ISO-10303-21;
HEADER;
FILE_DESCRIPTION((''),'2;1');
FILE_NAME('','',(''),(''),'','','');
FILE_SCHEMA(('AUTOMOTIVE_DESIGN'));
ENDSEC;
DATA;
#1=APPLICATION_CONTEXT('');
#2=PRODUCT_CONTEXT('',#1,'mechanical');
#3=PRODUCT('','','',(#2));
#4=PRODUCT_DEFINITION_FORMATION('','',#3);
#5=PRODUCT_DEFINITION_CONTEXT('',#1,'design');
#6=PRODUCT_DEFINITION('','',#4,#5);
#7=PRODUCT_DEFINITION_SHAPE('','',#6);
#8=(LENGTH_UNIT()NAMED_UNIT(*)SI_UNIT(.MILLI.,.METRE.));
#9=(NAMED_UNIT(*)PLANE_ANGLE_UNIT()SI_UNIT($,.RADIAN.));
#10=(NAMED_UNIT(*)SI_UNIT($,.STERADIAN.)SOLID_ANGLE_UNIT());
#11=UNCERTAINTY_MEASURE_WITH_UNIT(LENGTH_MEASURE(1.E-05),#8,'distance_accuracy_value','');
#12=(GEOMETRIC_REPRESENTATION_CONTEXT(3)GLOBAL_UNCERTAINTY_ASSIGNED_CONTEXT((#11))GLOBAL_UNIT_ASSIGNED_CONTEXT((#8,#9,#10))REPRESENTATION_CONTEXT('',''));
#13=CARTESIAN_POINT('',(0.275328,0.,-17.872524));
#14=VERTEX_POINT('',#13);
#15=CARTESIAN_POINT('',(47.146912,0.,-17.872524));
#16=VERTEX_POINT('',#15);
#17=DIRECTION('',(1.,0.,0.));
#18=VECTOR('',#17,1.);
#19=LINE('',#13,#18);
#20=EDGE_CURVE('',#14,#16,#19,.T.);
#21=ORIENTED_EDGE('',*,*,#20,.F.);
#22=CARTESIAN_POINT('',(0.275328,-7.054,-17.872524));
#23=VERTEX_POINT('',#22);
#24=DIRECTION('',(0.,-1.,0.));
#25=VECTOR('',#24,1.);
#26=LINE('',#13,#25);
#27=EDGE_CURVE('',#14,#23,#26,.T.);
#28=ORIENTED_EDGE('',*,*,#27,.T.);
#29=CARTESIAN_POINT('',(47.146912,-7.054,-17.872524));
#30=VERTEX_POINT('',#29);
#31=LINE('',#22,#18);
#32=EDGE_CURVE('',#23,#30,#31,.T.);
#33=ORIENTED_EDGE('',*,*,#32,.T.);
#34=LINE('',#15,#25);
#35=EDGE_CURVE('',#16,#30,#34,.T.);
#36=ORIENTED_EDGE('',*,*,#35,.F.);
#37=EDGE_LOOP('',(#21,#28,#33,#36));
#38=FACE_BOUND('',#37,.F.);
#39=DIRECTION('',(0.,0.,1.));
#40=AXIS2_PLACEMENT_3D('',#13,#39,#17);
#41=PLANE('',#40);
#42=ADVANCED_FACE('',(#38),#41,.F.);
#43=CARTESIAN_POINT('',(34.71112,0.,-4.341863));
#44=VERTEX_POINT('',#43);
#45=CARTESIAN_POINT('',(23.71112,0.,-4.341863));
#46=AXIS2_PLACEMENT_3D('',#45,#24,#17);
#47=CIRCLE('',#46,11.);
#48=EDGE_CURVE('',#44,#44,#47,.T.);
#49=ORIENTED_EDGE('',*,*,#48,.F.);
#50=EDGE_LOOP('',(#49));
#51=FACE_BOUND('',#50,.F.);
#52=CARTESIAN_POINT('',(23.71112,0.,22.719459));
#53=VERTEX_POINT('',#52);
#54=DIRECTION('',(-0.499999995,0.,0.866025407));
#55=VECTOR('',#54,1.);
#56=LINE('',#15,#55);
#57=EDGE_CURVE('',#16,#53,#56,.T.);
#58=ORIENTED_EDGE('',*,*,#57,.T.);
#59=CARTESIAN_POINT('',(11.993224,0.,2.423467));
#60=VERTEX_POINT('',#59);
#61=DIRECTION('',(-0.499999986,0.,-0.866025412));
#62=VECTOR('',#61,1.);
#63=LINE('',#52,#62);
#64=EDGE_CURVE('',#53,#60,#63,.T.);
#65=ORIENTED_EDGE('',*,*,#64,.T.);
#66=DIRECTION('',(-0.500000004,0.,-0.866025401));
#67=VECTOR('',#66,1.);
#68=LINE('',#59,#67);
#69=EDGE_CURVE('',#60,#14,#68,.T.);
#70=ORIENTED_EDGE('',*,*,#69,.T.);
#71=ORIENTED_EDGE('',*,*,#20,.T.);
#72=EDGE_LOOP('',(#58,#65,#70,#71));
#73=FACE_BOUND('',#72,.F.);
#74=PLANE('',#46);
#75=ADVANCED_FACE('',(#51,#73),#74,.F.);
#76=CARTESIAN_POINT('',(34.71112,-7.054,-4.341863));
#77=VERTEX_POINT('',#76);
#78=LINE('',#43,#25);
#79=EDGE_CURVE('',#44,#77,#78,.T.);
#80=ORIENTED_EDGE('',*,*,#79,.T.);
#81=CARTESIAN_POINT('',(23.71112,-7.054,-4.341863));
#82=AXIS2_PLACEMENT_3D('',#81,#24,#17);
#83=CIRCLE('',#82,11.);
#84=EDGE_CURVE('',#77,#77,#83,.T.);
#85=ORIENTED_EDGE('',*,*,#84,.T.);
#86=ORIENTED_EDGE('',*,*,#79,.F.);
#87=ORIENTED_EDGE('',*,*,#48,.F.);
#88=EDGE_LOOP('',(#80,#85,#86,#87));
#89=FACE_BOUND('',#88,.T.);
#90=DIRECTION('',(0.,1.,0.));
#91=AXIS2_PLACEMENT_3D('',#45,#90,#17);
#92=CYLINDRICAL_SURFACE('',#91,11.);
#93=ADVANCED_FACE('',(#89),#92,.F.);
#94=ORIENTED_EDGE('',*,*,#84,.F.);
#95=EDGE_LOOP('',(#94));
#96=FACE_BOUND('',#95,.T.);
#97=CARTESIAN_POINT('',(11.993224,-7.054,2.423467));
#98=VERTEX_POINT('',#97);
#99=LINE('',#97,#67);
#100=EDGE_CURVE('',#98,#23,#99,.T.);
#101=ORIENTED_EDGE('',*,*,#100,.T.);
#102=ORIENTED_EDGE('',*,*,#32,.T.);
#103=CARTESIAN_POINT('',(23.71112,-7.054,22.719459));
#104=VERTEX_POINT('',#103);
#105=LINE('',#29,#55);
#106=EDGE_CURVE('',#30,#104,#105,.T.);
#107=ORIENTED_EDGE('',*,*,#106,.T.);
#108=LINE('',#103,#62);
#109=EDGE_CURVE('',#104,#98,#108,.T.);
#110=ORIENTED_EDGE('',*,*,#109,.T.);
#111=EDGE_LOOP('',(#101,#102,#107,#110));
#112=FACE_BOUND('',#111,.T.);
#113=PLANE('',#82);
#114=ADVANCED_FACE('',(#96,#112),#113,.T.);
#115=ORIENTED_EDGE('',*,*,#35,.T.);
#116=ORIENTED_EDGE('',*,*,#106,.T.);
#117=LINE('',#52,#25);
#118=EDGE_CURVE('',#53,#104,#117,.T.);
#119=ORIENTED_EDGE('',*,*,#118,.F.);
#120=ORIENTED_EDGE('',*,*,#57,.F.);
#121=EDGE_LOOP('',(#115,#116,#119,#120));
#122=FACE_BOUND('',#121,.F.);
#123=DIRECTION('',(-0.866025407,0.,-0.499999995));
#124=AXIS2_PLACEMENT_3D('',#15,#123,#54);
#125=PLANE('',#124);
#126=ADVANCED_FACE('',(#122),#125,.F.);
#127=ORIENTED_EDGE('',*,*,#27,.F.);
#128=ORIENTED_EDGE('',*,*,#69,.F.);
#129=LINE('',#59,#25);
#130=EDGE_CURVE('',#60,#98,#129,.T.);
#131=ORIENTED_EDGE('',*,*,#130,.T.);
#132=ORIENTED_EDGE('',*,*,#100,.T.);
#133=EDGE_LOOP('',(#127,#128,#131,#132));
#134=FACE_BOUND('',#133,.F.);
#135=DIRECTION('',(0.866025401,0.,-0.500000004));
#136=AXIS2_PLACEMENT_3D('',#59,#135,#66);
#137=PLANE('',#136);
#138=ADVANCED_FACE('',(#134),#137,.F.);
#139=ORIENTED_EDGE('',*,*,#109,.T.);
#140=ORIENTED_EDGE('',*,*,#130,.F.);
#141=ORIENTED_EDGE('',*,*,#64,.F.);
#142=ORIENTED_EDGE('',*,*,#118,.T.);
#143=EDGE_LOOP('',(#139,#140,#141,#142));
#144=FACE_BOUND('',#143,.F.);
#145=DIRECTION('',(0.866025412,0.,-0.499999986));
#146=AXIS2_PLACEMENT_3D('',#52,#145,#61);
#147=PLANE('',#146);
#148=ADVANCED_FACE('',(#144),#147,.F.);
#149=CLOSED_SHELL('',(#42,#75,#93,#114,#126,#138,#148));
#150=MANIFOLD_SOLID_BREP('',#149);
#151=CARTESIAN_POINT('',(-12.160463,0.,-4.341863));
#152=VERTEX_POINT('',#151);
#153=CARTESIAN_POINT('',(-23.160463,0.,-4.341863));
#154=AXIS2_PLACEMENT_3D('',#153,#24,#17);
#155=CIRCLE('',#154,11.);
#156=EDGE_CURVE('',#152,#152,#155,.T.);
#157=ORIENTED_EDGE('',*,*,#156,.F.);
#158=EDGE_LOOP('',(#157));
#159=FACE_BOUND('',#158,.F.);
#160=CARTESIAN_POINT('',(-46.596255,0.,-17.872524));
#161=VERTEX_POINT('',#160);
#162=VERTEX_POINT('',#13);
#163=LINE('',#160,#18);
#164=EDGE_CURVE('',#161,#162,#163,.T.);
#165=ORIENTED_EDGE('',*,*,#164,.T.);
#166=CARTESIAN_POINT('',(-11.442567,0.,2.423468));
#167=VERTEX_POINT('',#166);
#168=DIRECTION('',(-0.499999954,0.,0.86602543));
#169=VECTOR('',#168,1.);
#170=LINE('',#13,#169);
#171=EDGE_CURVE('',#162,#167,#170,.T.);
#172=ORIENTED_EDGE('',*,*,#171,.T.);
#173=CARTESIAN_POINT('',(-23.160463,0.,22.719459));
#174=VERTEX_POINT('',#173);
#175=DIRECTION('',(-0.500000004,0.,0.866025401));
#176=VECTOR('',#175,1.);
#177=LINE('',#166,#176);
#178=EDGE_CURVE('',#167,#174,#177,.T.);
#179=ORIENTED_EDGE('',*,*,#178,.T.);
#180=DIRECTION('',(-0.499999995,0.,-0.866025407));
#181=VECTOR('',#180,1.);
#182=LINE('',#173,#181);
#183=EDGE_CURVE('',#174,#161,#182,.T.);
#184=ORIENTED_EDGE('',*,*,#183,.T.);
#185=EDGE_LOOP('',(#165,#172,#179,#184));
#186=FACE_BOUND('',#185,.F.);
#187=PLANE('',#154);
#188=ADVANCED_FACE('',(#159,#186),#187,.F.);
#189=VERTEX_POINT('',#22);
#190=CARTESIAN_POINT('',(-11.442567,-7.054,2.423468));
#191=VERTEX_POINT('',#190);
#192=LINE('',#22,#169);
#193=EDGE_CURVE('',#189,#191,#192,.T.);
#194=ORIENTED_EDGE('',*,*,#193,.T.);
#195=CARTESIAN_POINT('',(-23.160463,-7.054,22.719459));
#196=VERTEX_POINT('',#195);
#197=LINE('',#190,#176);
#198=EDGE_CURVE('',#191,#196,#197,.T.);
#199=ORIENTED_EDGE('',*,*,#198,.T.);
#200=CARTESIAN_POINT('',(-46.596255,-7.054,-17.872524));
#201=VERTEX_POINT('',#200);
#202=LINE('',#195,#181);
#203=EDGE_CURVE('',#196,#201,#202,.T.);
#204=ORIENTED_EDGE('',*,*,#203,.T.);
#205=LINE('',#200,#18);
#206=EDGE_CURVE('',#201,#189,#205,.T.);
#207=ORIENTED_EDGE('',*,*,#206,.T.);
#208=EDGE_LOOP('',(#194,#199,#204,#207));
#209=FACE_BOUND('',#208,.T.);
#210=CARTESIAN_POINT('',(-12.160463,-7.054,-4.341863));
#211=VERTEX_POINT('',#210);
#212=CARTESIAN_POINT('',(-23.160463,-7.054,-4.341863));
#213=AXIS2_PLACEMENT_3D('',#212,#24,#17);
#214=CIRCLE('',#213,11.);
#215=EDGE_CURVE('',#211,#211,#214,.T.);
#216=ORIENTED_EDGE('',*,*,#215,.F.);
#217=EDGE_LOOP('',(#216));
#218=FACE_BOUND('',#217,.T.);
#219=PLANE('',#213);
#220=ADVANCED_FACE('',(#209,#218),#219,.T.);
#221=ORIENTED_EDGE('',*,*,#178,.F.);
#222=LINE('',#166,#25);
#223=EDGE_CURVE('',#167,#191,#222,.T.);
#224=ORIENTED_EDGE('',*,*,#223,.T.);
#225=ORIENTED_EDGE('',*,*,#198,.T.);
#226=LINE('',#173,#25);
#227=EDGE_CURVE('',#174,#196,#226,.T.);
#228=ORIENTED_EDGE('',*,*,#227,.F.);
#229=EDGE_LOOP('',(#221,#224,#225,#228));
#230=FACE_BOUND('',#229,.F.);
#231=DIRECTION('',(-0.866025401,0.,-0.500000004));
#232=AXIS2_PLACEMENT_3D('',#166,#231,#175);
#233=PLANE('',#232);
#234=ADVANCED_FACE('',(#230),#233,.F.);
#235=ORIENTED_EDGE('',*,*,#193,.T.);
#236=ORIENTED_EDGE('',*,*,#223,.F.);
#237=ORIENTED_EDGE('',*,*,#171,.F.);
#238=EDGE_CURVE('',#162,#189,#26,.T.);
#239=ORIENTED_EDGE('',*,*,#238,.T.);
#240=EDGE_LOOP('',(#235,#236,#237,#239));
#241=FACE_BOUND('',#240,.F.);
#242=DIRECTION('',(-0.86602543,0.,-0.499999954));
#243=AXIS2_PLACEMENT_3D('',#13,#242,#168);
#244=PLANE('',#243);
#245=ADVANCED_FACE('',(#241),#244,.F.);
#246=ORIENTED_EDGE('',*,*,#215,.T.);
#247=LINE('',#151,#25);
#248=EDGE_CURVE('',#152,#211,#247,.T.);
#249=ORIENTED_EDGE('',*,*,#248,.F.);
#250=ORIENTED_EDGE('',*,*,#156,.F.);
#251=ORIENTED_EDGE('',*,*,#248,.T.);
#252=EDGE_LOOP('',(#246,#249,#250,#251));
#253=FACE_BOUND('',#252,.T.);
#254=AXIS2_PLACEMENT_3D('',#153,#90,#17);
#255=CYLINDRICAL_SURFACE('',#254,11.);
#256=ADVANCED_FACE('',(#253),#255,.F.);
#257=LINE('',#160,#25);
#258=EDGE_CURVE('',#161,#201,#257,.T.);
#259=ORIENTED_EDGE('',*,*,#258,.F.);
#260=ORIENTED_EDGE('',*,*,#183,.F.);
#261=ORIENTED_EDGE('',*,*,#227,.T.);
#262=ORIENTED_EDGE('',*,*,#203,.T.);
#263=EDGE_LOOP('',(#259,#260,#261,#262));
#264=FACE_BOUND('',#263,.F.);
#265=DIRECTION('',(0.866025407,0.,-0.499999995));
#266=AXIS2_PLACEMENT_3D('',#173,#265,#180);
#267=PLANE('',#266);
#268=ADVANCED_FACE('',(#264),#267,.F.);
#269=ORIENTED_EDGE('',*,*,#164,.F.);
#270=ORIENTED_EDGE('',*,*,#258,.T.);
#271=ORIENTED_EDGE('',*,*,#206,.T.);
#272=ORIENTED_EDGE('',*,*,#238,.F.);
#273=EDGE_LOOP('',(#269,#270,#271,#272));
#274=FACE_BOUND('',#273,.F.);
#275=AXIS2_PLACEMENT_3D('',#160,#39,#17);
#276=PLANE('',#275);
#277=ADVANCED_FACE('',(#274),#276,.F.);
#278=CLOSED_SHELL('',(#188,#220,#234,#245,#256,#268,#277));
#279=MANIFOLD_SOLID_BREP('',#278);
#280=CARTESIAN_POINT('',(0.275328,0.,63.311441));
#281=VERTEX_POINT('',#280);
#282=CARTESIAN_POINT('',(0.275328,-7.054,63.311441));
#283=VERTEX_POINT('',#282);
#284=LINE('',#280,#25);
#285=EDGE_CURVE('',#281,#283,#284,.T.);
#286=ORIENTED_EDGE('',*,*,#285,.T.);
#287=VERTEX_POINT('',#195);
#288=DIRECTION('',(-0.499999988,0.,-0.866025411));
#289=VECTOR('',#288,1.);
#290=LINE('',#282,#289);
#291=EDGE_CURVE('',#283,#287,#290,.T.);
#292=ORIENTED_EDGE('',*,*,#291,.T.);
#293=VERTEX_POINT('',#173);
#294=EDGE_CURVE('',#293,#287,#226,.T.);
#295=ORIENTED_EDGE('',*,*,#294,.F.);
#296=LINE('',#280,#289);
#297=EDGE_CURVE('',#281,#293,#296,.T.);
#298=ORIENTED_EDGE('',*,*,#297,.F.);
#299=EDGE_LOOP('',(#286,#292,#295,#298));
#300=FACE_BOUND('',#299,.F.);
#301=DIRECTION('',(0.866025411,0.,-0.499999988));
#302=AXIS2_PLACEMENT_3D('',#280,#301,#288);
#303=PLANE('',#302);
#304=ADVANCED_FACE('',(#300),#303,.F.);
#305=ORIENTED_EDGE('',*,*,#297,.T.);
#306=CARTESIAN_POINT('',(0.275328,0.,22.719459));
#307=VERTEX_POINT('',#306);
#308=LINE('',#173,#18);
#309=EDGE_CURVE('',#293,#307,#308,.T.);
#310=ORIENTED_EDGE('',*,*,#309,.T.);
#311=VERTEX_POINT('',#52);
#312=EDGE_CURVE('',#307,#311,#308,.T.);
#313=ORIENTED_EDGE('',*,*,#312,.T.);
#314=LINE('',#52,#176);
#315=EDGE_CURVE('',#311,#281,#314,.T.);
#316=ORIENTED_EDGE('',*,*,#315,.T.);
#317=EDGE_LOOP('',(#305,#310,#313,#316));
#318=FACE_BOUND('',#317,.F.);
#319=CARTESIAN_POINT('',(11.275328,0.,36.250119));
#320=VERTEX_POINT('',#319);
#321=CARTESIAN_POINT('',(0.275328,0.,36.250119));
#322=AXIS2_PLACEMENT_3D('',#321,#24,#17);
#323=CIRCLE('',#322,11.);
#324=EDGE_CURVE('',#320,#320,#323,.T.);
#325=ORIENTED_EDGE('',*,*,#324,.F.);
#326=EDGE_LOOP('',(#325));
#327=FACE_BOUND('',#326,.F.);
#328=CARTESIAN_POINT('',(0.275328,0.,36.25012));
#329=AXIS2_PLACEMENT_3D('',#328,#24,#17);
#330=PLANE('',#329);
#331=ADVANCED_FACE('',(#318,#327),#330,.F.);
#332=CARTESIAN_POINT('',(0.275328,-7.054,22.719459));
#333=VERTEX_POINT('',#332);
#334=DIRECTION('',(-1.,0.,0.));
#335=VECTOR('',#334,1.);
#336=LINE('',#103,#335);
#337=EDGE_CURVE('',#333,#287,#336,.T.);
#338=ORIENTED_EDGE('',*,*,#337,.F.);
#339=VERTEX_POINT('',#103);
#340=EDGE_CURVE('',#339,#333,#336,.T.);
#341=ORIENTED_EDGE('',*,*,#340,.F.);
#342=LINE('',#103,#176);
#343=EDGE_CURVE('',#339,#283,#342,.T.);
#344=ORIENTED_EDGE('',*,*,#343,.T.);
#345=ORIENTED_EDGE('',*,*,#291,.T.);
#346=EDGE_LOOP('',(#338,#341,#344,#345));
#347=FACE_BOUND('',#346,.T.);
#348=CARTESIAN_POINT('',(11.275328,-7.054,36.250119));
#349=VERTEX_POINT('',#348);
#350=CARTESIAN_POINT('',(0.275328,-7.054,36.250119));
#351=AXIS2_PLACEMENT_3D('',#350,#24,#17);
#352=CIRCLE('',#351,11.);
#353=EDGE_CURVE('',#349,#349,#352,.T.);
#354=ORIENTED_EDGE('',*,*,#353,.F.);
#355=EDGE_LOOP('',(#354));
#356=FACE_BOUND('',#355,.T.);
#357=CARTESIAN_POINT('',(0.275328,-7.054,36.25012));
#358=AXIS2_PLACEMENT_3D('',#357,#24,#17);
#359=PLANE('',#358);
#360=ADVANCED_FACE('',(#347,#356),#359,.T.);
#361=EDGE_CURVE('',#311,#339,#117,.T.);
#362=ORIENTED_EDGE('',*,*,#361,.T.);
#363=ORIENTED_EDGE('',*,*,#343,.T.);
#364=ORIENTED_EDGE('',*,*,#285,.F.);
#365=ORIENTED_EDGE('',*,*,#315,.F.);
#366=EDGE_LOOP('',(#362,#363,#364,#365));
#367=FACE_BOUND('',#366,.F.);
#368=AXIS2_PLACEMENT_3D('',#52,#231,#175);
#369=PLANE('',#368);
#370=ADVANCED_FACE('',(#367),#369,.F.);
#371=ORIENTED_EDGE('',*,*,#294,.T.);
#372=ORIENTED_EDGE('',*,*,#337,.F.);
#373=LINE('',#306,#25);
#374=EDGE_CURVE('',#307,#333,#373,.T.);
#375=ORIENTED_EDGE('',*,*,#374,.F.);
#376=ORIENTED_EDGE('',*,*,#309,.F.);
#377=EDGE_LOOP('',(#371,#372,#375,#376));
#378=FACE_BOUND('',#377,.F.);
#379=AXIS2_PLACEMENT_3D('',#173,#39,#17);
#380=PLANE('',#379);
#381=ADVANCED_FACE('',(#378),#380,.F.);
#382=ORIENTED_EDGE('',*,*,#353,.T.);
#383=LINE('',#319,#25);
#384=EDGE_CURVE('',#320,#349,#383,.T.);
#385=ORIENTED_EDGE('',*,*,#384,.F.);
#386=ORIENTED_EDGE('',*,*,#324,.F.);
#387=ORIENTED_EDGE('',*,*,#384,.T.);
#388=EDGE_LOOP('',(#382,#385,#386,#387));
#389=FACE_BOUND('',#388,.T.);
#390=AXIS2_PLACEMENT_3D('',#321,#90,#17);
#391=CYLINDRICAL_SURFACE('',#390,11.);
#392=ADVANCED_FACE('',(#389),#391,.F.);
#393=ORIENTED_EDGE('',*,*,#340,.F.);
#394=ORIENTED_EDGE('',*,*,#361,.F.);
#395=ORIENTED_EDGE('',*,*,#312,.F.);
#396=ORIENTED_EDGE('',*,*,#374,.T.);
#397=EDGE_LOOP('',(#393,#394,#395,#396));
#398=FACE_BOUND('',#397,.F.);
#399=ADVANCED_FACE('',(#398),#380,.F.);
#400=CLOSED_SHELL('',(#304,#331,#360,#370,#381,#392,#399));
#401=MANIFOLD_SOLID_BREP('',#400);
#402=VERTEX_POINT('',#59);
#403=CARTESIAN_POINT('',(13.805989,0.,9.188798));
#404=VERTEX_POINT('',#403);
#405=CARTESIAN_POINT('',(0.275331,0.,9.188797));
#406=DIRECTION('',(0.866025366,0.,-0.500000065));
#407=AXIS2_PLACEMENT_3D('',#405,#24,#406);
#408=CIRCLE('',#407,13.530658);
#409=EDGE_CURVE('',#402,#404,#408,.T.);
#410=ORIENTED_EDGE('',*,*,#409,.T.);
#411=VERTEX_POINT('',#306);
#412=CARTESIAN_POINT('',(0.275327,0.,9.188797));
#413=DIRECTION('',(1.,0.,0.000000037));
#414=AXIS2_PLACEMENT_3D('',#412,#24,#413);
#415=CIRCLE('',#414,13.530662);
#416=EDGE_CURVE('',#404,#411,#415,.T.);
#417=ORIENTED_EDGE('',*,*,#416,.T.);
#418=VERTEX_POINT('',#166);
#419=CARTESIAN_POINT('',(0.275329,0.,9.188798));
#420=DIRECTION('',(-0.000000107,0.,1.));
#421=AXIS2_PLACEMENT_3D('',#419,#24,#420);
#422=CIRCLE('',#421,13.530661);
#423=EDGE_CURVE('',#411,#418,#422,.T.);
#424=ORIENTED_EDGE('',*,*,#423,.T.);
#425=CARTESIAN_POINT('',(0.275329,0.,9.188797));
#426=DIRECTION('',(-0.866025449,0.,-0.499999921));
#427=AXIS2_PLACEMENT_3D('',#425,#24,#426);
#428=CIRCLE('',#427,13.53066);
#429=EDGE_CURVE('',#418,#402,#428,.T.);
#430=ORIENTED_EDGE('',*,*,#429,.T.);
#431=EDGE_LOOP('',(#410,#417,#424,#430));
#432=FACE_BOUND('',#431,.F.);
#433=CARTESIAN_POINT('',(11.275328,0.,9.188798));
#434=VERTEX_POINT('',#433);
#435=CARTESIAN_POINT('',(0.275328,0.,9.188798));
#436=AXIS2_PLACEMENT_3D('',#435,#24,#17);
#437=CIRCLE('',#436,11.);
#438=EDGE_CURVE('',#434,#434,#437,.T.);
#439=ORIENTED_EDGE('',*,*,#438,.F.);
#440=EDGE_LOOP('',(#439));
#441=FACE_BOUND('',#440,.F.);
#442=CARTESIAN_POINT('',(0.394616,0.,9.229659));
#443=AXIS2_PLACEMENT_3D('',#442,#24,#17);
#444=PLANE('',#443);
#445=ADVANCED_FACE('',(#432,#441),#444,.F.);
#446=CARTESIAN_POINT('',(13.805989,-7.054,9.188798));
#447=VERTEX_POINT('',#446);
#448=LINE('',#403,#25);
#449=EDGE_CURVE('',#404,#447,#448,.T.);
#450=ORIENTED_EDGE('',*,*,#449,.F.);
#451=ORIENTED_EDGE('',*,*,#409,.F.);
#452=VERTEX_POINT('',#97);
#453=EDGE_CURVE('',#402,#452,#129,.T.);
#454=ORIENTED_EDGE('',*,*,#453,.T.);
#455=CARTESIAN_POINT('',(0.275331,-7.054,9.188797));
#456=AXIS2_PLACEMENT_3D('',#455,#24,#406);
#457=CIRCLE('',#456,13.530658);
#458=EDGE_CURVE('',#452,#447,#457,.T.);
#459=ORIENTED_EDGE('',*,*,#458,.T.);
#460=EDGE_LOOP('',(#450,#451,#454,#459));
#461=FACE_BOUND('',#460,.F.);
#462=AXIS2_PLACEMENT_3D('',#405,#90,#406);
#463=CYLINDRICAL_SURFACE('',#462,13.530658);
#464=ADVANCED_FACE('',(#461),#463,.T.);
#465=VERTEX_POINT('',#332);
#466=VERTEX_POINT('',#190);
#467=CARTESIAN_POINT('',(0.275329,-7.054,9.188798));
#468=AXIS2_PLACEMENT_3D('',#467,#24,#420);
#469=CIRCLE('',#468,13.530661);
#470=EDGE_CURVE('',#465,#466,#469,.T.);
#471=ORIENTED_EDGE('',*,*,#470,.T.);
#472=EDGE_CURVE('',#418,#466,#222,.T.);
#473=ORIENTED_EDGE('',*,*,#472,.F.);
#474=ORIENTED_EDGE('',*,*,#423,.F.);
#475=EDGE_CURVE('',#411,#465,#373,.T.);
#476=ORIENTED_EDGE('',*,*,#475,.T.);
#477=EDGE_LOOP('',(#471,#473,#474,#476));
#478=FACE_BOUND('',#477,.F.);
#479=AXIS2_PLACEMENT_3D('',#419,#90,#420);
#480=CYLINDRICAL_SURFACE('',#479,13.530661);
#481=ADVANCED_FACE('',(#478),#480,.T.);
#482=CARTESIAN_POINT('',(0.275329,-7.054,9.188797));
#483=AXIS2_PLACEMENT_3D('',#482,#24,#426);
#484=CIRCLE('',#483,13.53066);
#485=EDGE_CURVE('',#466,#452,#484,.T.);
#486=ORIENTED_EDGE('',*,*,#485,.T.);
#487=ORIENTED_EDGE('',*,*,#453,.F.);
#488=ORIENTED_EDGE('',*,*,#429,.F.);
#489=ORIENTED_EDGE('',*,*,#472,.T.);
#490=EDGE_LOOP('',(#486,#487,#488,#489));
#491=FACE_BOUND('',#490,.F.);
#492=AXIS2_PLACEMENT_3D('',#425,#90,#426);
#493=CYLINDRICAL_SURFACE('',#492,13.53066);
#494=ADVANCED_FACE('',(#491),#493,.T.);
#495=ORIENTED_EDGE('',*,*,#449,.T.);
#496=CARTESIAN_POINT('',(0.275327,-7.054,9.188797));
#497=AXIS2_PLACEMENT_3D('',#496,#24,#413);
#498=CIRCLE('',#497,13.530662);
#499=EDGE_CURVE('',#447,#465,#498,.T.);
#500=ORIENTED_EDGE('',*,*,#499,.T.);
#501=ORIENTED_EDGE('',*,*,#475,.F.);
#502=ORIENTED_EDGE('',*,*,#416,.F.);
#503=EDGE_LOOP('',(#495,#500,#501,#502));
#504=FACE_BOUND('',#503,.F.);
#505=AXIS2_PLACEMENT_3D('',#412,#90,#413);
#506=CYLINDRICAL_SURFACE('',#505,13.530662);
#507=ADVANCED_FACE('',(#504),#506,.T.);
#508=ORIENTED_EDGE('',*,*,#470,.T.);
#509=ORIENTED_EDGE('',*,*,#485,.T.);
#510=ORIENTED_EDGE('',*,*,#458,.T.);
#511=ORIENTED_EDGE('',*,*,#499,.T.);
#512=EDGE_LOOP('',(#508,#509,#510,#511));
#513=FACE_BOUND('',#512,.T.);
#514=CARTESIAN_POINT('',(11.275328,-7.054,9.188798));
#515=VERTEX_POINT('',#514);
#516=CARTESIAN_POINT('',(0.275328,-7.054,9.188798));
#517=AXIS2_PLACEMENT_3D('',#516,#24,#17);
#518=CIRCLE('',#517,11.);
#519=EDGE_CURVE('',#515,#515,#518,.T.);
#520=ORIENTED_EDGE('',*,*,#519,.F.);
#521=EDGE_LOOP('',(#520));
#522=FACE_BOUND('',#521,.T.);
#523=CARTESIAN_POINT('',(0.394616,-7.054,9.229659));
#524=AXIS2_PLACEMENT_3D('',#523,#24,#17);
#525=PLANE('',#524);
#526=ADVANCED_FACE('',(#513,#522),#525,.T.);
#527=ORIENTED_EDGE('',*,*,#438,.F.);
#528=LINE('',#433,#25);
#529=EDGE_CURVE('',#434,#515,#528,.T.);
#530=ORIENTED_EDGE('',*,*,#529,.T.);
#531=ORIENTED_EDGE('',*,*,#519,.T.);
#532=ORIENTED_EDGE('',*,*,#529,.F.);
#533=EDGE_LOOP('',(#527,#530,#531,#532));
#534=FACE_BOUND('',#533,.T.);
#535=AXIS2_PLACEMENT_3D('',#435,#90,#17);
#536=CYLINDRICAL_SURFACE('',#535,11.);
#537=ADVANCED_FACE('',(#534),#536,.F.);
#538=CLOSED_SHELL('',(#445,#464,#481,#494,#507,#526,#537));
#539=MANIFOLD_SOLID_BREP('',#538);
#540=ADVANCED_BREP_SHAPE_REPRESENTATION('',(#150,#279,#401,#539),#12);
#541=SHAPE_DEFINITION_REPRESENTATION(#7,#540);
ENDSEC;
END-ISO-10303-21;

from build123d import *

# Parameters (mm, degrees)
F0_R     = 11
F1_DEPTH = 7.054


with BuildPart() as f1:
    # F0 (on Front) → F1 (new body)
    with BuildSketch(Plane.XZ):
        Polygon((0.275328, 63.311441), (-23.160463, 22.719459), (0.275328, 22.719459), (23.71112, 22.719459), align=None)
        with Locations((0.275328, 36.250119)):
            Circle(F0_R, mode=Mode.SUBTRACT)
        Polygon((-11.442567, 2.423468), (-23.160463, 22.719459), (-46.596255, -17.872524), (-23.160463, -17.872524), (0.275328, -17.872524), align=None)
        with Locations((-23.160463, -4.341863)):
            Circle(F0_R, mode=Mode.SUBTRACT)
        with BuildLine():
            ThreePointArc((0.275328, 22.719459), (-11.442567, 15.954128), (-11.442567, 2.423468))
            ThreePointArc((-11.442567, 2.423468), (0.275328, -4.341863), (11.993224, 2.423467))
            ThreePointArc((11.993224, 2.423467), (13.344943, 5.686805), (13.805989, 9.188798))
            ThreePointArc((13.805989, 9.188798), (9.84295, 18.75642), (0.275328, 22.719459))
        make_face()
        with Locations((0.275328, 9.188798)):
            Circle(F0_R, mode=Mode.SUBTRACT)
        Polygon((11.993224, 2.423467), (0.275328, -17.872524), (47.146912, -17.872524), (23.71112, 22.719459), align=None)
        with Locations((23.71112, -4.341863)):
            Circle(F0_R, mode=Mode.SUBTRACT)
    extrude(amount=F1_DEPTH)


solid = f1.part
